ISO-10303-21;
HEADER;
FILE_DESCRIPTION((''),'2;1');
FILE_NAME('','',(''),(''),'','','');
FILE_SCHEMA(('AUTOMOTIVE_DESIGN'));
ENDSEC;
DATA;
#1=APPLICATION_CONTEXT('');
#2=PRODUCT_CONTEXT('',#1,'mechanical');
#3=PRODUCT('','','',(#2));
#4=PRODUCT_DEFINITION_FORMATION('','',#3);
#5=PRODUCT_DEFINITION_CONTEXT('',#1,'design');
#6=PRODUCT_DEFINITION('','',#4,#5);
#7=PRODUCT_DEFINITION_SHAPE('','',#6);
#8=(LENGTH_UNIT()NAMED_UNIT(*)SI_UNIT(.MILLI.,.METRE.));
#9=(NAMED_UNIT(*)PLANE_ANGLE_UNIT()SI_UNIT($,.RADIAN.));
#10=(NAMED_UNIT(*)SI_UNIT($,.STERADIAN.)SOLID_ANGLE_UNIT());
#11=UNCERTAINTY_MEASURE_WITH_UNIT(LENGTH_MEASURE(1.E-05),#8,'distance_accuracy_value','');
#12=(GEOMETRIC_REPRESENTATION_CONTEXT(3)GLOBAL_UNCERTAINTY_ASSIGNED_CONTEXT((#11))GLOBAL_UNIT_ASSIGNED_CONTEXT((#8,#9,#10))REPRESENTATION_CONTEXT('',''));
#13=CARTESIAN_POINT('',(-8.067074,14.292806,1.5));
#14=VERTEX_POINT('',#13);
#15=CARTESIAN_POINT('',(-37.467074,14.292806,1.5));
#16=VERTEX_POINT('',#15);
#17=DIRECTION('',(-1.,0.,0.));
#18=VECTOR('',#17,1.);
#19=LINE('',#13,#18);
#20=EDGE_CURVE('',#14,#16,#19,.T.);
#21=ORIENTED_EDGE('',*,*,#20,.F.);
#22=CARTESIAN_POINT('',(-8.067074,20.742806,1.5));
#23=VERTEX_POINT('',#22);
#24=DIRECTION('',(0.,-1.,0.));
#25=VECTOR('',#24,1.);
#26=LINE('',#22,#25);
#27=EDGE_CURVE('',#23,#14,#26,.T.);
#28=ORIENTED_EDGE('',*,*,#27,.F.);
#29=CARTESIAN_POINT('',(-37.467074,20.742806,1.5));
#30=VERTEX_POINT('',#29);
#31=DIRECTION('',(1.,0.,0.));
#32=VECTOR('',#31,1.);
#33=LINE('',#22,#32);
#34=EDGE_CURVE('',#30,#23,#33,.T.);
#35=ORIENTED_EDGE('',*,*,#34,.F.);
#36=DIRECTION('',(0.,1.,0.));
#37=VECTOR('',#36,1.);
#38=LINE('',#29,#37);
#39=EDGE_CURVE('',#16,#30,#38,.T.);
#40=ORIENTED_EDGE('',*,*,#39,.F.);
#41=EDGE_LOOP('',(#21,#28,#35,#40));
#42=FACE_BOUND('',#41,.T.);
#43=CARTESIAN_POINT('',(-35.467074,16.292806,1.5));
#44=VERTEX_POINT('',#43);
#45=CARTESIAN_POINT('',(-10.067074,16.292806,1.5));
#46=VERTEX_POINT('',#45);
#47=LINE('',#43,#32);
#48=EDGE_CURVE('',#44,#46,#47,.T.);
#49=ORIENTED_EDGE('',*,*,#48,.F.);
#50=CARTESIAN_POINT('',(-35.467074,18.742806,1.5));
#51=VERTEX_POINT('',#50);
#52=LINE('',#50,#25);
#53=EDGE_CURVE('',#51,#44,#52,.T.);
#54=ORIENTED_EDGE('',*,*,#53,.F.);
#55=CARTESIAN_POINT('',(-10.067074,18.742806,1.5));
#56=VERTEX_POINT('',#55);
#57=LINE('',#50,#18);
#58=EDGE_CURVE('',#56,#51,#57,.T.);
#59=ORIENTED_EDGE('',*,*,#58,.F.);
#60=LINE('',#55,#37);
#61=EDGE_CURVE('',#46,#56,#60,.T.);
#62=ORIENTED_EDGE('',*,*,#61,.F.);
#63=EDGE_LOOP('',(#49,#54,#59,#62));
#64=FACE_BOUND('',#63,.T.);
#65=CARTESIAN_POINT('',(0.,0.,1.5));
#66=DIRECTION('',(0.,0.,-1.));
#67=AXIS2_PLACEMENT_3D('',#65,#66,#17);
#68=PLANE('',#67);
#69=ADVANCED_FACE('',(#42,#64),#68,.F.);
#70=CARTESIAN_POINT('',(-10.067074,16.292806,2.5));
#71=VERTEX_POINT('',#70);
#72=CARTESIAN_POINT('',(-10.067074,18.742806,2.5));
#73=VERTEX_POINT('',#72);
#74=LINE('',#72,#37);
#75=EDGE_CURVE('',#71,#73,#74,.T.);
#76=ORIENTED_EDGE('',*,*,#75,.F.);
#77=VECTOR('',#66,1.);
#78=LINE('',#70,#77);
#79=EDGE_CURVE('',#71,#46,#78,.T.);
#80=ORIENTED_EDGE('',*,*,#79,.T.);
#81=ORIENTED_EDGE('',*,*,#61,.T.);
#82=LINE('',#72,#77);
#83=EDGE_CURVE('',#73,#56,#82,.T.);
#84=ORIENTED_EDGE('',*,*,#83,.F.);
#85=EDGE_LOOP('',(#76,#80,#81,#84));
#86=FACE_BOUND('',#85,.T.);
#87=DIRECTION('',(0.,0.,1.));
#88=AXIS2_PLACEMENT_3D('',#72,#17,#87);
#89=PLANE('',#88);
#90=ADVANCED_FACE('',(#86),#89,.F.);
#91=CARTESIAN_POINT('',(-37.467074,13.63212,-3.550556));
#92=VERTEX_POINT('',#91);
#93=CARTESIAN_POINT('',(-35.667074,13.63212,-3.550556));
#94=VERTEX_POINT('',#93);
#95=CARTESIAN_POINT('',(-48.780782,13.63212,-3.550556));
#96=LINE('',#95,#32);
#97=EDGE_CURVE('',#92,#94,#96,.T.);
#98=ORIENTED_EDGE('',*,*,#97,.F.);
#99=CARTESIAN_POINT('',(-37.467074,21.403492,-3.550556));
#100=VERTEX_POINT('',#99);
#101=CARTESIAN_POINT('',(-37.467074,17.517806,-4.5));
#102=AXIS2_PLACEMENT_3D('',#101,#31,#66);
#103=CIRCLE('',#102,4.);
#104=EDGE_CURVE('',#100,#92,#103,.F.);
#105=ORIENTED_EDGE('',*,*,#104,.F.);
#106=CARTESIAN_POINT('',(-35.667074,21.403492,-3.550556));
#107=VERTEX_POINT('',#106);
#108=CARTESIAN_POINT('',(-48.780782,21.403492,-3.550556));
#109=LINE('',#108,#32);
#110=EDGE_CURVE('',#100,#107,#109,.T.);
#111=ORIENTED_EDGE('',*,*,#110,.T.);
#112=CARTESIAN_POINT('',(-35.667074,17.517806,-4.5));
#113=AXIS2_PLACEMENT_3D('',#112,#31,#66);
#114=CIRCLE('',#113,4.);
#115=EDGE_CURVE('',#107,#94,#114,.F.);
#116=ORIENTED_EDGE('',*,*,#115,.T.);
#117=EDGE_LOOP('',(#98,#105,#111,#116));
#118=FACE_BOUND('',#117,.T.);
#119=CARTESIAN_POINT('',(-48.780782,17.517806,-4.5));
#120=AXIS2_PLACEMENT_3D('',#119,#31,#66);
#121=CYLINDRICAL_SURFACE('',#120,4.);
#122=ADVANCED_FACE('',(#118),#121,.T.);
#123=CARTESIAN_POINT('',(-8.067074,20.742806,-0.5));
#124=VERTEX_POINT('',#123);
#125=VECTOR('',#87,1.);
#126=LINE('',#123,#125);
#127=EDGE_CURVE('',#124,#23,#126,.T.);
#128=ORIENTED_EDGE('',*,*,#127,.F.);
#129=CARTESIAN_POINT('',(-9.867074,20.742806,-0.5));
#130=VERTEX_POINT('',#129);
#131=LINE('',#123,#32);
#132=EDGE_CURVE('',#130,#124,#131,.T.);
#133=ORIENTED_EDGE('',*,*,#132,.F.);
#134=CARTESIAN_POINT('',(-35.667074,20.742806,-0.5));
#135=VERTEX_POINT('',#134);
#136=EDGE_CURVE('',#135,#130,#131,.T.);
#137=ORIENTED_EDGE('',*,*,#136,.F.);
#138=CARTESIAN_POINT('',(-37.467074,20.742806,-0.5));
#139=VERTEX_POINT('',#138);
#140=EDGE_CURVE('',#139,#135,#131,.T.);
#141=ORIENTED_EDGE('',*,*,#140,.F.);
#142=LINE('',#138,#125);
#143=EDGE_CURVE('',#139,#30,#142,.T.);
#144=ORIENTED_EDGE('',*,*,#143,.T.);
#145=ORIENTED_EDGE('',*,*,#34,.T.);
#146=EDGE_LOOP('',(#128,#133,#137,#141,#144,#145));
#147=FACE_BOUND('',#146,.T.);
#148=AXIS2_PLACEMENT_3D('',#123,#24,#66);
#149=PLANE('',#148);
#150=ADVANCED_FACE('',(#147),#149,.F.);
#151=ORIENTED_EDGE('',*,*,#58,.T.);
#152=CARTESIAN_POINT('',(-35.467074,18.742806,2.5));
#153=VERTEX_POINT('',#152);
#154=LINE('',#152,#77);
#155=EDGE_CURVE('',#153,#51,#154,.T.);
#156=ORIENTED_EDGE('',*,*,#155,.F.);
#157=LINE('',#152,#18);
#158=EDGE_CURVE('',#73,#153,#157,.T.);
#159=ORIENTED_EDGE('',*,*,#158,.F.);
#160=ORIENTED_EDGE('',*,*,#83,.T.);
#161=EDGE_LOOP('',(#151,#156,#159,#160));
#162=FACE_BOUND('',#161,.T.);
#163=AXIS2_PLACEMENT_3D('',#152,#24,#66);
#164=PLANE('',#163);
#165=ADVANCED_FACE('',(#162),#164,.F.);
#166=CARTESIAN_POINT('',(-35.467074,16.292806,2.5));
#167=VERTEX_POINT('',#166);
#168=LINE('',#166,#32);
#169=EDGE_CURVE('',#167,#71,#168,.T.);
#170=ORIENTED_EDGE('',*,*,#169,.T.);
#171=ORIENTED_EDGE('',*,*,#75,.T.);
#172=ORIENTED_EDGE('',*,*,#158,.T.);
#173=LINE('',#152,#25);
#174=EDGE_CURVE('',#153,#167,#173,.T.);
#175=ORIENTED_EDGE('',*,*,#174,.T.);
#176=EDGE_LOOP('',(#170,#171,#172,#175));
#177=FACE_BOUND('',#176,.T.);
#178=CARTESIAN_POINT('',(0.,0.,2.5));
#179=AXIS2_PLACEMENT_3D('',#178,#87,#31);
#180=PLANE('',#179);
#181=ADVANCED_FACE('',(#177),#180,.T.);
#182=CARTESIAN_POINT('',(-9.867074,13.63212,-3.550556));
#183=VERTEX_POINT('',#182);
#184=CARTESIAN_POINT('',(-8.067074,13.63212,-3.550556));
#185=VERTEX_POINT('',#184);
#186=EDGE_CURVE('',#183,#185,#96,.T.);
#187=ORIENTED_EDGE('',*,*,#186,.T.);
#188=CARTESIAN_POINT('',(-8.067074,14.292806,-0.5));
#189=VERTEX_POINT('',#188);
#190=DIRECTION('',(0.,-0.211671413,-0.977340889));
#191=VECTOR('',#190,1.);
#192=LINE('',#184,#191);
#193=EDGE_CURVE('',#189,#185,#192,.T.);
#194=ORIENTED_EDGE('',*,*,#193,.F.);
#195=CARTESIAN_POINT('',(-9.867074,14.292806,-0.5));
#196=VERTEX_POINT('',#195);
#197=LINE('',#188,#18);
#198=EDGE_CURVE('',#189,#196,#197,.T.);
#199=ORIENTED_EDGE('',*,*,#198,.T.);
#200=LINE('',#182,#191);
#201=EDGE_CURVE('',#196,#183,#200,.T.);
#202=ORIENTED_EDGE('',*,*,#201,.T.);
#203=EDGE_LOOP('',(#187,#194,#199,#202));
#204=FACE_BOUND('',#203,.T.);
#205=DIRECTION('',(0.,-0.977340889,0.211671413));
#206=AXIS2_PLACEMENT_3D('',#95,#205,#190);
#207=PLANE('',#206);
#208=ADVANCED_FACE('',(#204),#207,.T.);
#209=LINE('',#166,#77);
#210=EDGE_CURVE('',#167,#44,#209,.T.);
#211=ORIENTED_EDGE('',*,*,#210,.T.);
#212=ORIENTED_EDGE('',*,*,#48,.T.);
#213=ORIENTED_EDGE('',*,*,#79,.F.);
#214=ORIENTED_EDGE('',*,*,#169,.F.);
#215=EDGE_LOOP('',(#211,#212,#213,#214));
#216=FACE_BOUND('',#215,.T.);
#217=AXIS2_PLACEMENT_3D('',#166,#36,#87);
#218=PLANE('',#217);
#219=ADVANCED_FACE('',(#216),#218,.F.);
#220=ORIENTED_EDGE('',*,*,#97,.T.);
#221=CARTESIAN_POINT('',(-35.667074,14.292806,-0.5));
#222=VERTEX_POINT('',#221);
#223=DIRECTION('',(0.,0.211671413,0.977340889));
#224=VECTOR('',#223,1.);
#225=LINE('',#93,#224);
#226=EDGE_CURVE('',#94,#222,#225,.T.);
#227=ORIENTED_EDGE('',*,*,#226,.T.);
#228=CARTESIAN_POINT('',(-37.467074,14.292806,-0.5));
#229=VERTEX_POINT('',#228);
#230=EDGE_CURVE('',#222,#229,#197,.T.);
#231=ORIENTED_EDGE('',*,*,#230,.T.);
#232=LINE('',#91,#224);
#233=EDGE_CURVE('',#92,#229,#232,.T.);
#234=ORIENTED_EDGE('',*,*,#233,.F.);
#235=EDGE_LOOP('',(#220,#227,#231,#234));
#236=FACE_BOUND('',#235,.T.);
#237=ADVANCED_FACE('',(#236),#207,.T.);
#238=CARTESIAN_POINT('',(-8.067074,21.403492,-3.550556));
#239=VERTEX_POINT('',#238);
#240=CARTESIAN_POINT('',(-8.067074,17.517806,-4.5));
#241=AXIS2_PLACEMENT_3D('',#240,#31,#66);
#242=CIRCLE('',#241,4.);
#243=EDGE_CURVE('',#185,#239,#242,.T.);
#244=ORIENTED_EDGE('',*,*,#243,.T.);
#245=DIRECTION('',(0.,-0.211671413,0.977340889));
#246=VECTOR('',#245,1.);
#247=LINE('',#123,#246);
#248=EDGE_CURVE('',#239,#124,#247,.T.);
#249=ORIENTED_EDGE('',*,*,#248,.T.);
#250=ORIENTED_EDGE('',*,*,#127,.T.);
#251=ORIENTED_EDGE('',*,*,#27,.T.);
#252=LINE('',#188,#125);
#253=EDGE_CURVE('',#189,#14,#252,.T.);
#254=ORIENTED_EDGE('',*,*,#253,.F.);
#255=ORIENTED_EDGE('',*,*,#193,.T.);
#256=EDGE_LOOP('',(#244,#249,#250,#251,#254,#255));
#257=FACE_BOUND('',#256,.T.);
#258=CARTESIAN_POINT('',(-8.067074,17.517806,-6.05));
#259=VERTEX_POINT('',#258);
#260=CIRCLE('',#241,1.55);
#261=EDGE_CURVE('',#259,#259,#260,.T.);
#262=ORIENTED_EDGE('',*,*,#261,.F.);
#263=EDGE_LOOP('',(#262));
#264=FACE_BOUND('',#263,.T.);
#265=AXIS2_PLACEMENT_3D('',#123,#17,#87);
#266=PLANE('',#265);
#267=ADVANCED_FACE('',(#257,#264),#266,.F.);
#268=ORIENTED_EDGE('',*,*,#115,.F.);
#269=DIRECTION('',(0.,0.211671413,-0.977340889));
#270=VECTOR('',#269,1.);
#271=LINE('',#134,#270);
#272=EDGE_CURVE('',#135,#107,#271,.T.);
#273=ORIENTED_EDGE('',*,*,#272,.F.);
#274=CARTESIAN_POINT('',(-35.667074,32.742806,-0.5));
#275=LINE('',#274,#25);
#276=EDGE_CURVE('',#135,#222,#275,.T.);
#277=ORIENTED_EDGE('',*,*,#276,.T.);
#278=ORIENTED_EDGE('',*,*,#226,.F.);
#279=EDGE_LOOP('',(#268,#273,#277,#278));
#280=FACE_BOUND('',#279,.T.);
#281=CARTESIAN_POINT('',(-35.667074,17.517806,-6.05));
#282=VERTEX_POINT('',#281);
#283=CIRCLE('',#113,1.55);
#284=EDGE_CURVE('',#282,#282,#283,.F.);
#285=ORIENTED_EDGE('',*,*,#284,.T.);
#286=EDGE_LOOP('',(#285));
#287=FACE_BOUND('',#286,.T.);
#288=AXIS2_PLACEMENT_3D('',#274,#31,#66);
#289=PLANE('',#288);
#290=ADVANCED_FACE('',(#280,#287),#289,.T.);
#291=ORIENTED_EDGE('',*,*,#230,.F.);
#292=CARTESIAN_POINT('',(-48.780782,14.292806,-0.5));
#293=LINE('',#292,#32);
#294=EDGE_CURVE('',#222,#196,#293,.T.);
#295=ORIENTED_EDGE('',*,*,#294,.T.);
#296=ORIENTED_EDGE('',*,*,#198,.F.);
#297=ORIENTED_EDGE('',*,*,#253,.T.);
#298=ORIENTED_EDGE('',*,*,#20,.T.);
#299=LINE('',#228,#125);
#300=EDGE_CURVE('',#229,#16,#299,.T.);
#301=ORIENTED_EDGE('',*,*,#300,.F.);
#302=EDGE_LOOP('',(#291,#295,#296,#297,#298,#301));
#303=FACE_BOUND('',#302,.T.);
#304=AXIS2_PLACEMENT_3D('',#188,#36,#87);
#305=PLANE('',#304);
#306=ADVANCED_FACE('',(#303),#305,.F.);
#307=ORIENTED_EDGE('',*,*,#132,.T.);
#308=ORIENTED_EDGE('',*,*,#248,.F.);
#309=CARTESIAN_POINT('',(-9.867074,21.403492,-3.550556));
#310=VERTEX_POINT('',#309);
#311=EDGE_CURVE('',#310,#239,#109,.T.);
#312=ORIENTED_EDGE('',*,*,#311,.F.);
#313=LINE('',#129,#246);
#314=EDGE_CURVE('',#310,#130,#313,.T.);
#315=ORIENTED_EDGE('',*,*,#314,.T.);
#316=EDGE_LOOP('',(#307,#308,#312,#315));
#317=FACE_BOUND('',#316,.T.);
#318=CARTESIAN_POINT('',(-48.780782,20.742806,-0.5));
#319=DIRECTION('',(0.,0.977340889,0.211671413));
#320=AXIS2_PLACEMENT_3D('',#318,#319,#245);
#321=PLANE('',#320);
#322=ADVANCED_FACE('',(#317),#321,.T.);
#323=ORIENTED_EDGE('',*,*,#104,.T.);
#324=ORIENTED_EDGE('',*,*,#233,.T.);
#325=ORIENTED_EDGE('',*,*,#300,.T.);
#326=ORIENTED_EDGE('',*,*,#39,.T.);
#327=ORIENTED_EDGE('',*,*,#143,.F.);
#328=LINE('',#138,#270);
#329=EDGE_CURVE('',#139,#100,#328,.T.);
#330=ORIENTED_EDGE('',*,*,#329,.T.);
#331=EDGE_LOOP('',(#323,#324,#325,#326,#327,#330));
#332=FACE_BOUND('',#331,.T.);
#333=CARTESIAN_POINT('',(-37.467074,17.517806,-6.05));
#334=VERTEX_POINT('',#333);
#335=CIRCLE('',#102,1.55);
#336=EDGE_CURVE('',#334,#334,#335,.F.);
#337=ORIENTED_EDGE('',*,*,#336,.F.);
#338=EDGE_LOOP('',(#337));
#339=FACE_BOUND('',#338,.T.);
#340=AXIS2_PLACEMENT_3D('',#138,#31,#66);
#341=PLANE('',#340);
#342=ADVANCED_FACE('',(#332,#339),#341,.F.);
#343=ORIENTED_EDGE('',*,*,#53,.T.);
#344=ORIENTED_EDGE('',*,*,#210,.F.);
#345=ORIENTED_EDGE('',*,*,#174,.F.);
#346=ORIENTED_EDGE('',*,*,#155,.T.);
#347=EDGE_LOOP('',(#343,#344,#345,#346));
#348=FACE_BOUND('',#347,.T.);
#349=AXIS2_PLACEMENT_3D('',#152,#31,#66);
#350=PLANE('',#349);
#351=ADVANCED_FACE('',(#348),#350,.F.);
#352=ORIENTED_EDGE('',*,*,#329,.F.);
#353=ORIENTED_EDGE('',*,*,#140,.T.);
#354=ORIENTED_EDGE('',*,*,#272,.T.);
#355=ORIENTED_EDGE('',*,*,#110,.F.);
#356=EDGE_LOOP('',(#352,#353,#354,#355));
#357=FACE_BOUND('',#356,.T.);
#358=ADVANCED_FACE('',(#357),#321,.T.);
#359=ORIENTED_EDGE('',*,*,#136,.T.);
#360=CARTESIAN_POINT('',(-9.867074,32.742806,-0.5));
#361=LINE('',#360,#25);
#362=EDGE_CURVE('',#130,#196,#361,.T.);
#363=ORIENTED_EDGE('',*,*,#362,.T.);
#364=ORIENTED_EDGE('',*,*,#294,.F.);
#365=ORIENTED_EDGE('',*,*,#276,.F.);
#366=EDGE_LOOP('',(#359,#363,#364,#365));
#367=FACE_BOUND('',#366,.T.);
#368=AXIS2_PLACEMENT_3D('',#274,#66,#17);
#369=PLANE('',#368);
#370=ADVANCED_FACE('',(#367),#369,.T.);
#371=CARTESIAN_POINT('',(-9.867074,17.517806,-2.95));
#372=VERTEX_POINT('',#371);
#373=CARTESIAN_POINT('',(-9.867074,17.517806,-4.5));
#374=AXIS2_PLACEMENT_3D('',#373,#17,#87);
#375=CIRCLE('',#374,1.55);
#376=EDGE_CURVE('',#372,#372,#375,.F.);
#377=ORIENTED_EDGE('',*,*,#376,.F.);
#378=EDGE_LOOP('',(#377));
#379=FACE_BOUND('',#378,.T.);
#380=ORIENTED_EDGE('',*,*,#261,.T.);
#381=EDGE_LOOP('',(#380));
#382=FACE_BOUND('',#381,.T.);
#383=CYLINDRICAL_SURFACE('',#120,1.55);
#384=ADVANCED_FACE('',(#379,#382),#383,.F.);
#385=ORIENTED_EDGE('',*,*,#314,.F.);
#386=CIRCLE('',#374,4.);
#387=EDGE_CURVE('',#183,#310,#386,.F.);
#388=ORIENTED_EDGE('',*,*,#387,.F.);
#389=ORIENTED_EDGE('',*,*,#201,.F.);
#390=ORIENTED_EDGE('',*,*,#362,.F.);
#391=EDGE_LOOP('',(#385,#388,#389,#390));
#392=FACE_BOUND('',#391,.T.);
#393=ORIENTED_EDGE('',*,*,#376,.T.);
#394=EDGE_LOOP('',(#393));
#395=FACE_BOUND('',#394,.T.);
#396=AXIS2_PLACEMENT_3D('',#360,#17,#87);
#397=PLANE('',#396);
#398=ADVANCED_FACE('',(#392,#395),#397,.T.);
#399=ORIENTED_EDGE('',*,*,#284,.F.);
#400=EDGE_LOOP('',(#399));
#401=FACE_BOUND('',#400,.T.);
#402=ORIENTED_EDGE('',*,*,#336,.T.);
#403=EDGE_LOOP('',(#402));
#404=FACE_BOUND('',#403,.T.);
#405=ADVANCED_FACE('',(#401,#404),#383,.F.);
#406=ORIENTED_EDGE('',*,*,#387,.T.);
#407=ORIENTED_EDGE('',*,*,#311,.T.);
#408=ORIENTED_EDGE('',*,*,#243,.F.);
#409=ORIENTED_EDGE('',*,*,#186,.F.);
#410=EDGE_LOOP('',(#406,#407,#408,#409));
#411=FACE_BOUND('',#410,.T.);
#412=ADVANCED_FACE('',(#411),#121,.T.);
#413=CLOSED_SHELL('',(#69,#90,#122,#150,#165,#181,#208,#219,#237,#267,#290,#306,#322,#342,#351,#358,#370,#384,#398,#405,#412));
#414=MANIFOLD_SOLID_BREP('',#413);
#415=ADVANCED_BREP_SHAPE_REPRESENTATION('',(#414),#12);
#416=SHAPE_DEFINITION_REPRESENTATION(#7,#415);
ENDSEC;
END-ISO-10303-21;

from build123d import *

# Parameters (mm, degrees)
CROQUIS1_W                 = 26.4
CROQUIS1_H                 = 2.95
SALIENTE_EXTRUIR1_DEPTH    = 1.5
SALIENTE_EXTRUIR2_DEPTH    = 1
SALIENTE_EXTRUIR3_START    = 1
SALIENTE_EXTRUIR3_DEPTH    = 1
CROQUIS5_W                 = 26.4
CROQUIS5_H                 = 0.387649526
SALIENTE_EXTRUIR4_DEPTH    = 2.95
CROQUIS7_R                 = 1.5
CORTAR_EXTRUIR1_DEPTH      = 51
CORTAR_EXTRUIR2_START      = 26.4
CROQUIS8_R                 = 3
CORTAR_EXTRUIR2_DEPTH      = 26.4
CROQUIS9_W                 = 0.5
CROQUIS9_H                 = 1
SALIENTE_EXTRUIR5_DEPTH    = 20
CROQUIS11_W                = 1
CROQUIS11_H                = 1.007194245
CROQUIS11_H_2              = 16.042805755
CORTAR_EXTRUIR3_DEPTH      = 40
CROQUIS13_W                = 25.4
CROQUIS13_H                = 2.45
SALIENTE_EXTRUIR6_DEPTH    = 1
CROQUIS14_W                = 4.527159606
CROQUIS14_H                = 1.589204257
CROQUIS14_W_2              = 3.32574087
CROQUIS14_H_2              = 2.189079922
CORTAR_EXTRUIR4_DEPTH      = 21
CORTAR_EXTRUIR5_DEPTH      = 21
CORTAR_EXTRUIR5_DEPTH_BACK = 21
CROQUIS16_W                = 34.398488571
CROQUIS16_H                = 9.421589472
CROQUIS17_W                = 29.4
CROQUIS17_H                = 6.45
SALIENTE_EXTRUIR7_DEPTH    = 2
CROQUIS18_R                = 1.55
SALIENTE_EXTRUIR8_DEPTH    = 29.4
CORTAR_EXTRUIR6_DEPTH      = 12
CORTAR_EXTRUIR6_DEPTH_BACK = 32
CROQUIS19_W                = 25.8
CROQUIS19_H                = 10.578979108


with BuildPart() as part:
    # Croquis1 → Saliente-Extruir1 (new body)
    with BuildSketch(Plane.XY):
        with Locations((-22.767073783, 17.517805755)):
            Rectangle(CROQUIS1_W, CROQUIS1_H)
    extrude(amount=SALIENTE_EXTRUIR1_DEPTH)

    # Croquis2 → Saliente-Extruir2 (add)
    with BuildSketch(Plane(origin=(-9.567073783, 0, 0), x_dir=(0, 0, -1), z_dir=(1, 0, 0))):
        with BuildLine():
            Line((0, 18.992805755), (0.387649526, 18.992805755))
            ThreePointArc((0.387649526, 18.992805755), (6, 17.517805755), (0.387649526, 16.042805755))
            Line((0.387649526, 16.042805755), (0, 16.042805755))
            Line((0, 16.042805755), (-0.5, 16.042805755))
            Line((-0.5, 16.042805755), (-0.5, 18.992805755))
            Line((-0.5, 18.992805755), (0, 18.992805755))
        make_face()
    extrude(amount=SALIENTE_EXTRUIR2_DEPTH)

    # Croquis3 → Saliente-Extruir3 (add)
    with BuildSketch(Plane.ZY.offset(35.967073783).offset(SALIENTE_EXTRUIR3_START)):
        with BuildLine():
            Line((0.5, 18.992805755), (-0.387649526, 18.992805755))
            ThreePointArc((-0.387649526, 18.992805755), (-6, 17.517805755), (-0.387649526, 16.042805755))
            Line((-0.387649526, 16.042805755), (0.5, 16.042805755))
            Line((0.5, 16.042805755), (0.5, 18.992805755))
        make_face()
    extrude(amount=-SALIENTE_EXTRUIR3_DEPTH)

    # Croquis5 → Saliente-Extruir4 (add)
    with BuildSketch(Plane(origin=(0, 18.992805755, 0), x_dir=(1, 0, 0), z_dir=(0, 1, 0))):
        with Locations((-22.767073783, 0.193824763)):
            Rectangle(CROQUIS5_W, CROQUIS5_H)
    extrude(amount=-SALIENTE_EXTRUIR4_DEPTH)

    # Croquis7 → Cortar-Extruir1 (cut)
    with BuildSketch(Plane(origin=(-8.567073783, 0, 0), x_dir=(0, 0, -1), z_dir=(1, 0, 0))):
        with Locations(Location((3, 17.517805755, 0), (0, 0, 180))):
            Circle(CROQUIS7_R)
    extrude(amount=-CORTAR_EXTRUIR1_DEPTH, mode=Mode.SUBTRACT)

    # Croquis8 → Cortar-Extruir2 (cut)
    with BuildSketch(Plane.ZY.offset(9.567073783).offset(CORTAR_EXTRUIR2_START)):
        with Locations((-3, 17.517805755)):
            Circle(CROQUIS8_R)
    extrude(amount=-CORTAR_EXTRUIR2_DEPTH, mode=Mode.SUBTRACT)

    # Croquis9 → Saliente-Extruir5 (add)
    with BuildSketch(Plane(origin=(0, 0, 0), x_dir=(1, 0, 0), z_dir=(0, 1, 0))):
        with Locations((-37.017073783, -1)):
            Rectangle(CROQUIS9_W, CROQUIS9_H)
        with Locations((-8.518741189, -1)):
            Rectangle(CROQUIS9_W, CROQUIS9_H)
    extrude(amount=SALIENTE_EXTRUIR5_DEPTH)

    # Croquis11 → Cortar-Extruir3 (cut)
    with BuildSketch(Plane.ZY.offset(37.267073783)):
        with Locations((1, 19.496402878)):
            Rectangle(CROQUIS11_W, CROQUIS11_H)
        with Locations((1, 8.021402877)):
            Rectangle(CROQUIS11_W, CROQUIS11_H_2)
    extrude(amount=-CORTAR_EXTRUIR3_DEPTH, mode=Mode.SUBTRACT)

    # Croquis13 → Saliente-Extruir6 (add)
    with BuildSketch(Plane.XY.offset(1.5)):
        with Locations((-22.767073783, 17.517805755)):
            Rectangle(CROQUIS13_W, CROQUIS13_H)
    extrude(amount=SALIENTE_EXTRUIR6_DEPTH)

    # Croquis14 → Cortar-Extruir4 (cut)
    with BuildSketch(Plane(origin=(0, 18.992805755, 0), x_dir=(1, 0, 0), z_dir=(0, 1, 0))):
        with Locations((-38.230653586, -1.294602129)):
            Rectangle(CROQUIS14_W, CROQUIS14_H)
        with Locations((-7.904203348, -1.594539961)):
            Rectangle(CROQUIS14_W_2, CROQUIS14_H_2)
    extrude(amount=-CORTAR_EXTRUIR4_DEPTH, mode=Mode.SUBTRACT)

    # Croquis16 → Cortar-Extruir5 (cut, two sides: drawn at the far end of the back side and taken through both)
    with BuildSketch(Plane(origin=(0, 18.992805755, 0), x_dir=(1, 0, 0), z_dir=(0, 1, 0)).offset(-CORTAR_EXTRUIR5_DEPTH_BACK)):
        with Locations((-24.715099431, 3.210794736)):
            Rectangle(CROQUIS16_W, CROQUIS16_H)
    extrude(amount=CORTAR_EXTRUIR5_DEPTH + CORTAR_EXTRUIR5_DEPTH_BACK, mode=Mode.SUBTRACT)

    # Croquis17 → Saliente-Extruir7 (add)
    with BuildSketch(Plane(origin=(0, 0, 1.5), x_dir=(-1, 0, 0), z_dir=(0, 0, -1))):
        with Locations((22.767073783, 17.517805755)):
            Rectangle(CROQUIS17_W, CROQUIS17_H)
    extrude(amount=SALIENTE_EXTRUIR7_DEPTH)

    # Croquis18 → Saliente-Extruir8 (add)
    with BuildSketch(Plane(origin=(-8.067073783, 0, 0), x_dir=(0, 0, -1), z_dir=(1, 0, 0))):
        with BuildLine():
            Line((0.5, 20.742805755), (3.55055626, 21.40349187))
            ThreePointArc((3.55055626, 21.40349187), (8.5, 17.517805755), (3.55055626, 13.63211964))
            Line((3.55055626, 13.63211964), (0.5, 14.292805755))
            Line((0.5, 14.292805755), (0.5, 20.742805755))
        make_face()
        with Locations((4.5, 17.517805755)):
            Circle(CROQUIS18_R, mode=Mode.SUBTRACT)
    extrude(amount=-SALIENTE_EXTRUIR8_DEPTH)

    # Croquis19 → Cortar-Extruir6 (cut, two sides: drawn at the far end of the back side and taken through both)
    with BuildSketch(Plane(origin=(0, 20.742805755, 0), x_dir=(1, 0, 0), z_dir=(0, 1, 0)).offset(-CORTAR_EXTRUIR6_DEPTH_BACK)):
        with Locations((-22.767073783, 5.789489554)):
            Rectangle(CROQUIS19_W, CROQUIS19_H)
    extrude(amount=CORTAR_EXTRUIR6_DEPTH + CORTAR_EXTRUIR6_DEPTH_BACK, mode=Mode.SUBTRACT)


solid = part.part
